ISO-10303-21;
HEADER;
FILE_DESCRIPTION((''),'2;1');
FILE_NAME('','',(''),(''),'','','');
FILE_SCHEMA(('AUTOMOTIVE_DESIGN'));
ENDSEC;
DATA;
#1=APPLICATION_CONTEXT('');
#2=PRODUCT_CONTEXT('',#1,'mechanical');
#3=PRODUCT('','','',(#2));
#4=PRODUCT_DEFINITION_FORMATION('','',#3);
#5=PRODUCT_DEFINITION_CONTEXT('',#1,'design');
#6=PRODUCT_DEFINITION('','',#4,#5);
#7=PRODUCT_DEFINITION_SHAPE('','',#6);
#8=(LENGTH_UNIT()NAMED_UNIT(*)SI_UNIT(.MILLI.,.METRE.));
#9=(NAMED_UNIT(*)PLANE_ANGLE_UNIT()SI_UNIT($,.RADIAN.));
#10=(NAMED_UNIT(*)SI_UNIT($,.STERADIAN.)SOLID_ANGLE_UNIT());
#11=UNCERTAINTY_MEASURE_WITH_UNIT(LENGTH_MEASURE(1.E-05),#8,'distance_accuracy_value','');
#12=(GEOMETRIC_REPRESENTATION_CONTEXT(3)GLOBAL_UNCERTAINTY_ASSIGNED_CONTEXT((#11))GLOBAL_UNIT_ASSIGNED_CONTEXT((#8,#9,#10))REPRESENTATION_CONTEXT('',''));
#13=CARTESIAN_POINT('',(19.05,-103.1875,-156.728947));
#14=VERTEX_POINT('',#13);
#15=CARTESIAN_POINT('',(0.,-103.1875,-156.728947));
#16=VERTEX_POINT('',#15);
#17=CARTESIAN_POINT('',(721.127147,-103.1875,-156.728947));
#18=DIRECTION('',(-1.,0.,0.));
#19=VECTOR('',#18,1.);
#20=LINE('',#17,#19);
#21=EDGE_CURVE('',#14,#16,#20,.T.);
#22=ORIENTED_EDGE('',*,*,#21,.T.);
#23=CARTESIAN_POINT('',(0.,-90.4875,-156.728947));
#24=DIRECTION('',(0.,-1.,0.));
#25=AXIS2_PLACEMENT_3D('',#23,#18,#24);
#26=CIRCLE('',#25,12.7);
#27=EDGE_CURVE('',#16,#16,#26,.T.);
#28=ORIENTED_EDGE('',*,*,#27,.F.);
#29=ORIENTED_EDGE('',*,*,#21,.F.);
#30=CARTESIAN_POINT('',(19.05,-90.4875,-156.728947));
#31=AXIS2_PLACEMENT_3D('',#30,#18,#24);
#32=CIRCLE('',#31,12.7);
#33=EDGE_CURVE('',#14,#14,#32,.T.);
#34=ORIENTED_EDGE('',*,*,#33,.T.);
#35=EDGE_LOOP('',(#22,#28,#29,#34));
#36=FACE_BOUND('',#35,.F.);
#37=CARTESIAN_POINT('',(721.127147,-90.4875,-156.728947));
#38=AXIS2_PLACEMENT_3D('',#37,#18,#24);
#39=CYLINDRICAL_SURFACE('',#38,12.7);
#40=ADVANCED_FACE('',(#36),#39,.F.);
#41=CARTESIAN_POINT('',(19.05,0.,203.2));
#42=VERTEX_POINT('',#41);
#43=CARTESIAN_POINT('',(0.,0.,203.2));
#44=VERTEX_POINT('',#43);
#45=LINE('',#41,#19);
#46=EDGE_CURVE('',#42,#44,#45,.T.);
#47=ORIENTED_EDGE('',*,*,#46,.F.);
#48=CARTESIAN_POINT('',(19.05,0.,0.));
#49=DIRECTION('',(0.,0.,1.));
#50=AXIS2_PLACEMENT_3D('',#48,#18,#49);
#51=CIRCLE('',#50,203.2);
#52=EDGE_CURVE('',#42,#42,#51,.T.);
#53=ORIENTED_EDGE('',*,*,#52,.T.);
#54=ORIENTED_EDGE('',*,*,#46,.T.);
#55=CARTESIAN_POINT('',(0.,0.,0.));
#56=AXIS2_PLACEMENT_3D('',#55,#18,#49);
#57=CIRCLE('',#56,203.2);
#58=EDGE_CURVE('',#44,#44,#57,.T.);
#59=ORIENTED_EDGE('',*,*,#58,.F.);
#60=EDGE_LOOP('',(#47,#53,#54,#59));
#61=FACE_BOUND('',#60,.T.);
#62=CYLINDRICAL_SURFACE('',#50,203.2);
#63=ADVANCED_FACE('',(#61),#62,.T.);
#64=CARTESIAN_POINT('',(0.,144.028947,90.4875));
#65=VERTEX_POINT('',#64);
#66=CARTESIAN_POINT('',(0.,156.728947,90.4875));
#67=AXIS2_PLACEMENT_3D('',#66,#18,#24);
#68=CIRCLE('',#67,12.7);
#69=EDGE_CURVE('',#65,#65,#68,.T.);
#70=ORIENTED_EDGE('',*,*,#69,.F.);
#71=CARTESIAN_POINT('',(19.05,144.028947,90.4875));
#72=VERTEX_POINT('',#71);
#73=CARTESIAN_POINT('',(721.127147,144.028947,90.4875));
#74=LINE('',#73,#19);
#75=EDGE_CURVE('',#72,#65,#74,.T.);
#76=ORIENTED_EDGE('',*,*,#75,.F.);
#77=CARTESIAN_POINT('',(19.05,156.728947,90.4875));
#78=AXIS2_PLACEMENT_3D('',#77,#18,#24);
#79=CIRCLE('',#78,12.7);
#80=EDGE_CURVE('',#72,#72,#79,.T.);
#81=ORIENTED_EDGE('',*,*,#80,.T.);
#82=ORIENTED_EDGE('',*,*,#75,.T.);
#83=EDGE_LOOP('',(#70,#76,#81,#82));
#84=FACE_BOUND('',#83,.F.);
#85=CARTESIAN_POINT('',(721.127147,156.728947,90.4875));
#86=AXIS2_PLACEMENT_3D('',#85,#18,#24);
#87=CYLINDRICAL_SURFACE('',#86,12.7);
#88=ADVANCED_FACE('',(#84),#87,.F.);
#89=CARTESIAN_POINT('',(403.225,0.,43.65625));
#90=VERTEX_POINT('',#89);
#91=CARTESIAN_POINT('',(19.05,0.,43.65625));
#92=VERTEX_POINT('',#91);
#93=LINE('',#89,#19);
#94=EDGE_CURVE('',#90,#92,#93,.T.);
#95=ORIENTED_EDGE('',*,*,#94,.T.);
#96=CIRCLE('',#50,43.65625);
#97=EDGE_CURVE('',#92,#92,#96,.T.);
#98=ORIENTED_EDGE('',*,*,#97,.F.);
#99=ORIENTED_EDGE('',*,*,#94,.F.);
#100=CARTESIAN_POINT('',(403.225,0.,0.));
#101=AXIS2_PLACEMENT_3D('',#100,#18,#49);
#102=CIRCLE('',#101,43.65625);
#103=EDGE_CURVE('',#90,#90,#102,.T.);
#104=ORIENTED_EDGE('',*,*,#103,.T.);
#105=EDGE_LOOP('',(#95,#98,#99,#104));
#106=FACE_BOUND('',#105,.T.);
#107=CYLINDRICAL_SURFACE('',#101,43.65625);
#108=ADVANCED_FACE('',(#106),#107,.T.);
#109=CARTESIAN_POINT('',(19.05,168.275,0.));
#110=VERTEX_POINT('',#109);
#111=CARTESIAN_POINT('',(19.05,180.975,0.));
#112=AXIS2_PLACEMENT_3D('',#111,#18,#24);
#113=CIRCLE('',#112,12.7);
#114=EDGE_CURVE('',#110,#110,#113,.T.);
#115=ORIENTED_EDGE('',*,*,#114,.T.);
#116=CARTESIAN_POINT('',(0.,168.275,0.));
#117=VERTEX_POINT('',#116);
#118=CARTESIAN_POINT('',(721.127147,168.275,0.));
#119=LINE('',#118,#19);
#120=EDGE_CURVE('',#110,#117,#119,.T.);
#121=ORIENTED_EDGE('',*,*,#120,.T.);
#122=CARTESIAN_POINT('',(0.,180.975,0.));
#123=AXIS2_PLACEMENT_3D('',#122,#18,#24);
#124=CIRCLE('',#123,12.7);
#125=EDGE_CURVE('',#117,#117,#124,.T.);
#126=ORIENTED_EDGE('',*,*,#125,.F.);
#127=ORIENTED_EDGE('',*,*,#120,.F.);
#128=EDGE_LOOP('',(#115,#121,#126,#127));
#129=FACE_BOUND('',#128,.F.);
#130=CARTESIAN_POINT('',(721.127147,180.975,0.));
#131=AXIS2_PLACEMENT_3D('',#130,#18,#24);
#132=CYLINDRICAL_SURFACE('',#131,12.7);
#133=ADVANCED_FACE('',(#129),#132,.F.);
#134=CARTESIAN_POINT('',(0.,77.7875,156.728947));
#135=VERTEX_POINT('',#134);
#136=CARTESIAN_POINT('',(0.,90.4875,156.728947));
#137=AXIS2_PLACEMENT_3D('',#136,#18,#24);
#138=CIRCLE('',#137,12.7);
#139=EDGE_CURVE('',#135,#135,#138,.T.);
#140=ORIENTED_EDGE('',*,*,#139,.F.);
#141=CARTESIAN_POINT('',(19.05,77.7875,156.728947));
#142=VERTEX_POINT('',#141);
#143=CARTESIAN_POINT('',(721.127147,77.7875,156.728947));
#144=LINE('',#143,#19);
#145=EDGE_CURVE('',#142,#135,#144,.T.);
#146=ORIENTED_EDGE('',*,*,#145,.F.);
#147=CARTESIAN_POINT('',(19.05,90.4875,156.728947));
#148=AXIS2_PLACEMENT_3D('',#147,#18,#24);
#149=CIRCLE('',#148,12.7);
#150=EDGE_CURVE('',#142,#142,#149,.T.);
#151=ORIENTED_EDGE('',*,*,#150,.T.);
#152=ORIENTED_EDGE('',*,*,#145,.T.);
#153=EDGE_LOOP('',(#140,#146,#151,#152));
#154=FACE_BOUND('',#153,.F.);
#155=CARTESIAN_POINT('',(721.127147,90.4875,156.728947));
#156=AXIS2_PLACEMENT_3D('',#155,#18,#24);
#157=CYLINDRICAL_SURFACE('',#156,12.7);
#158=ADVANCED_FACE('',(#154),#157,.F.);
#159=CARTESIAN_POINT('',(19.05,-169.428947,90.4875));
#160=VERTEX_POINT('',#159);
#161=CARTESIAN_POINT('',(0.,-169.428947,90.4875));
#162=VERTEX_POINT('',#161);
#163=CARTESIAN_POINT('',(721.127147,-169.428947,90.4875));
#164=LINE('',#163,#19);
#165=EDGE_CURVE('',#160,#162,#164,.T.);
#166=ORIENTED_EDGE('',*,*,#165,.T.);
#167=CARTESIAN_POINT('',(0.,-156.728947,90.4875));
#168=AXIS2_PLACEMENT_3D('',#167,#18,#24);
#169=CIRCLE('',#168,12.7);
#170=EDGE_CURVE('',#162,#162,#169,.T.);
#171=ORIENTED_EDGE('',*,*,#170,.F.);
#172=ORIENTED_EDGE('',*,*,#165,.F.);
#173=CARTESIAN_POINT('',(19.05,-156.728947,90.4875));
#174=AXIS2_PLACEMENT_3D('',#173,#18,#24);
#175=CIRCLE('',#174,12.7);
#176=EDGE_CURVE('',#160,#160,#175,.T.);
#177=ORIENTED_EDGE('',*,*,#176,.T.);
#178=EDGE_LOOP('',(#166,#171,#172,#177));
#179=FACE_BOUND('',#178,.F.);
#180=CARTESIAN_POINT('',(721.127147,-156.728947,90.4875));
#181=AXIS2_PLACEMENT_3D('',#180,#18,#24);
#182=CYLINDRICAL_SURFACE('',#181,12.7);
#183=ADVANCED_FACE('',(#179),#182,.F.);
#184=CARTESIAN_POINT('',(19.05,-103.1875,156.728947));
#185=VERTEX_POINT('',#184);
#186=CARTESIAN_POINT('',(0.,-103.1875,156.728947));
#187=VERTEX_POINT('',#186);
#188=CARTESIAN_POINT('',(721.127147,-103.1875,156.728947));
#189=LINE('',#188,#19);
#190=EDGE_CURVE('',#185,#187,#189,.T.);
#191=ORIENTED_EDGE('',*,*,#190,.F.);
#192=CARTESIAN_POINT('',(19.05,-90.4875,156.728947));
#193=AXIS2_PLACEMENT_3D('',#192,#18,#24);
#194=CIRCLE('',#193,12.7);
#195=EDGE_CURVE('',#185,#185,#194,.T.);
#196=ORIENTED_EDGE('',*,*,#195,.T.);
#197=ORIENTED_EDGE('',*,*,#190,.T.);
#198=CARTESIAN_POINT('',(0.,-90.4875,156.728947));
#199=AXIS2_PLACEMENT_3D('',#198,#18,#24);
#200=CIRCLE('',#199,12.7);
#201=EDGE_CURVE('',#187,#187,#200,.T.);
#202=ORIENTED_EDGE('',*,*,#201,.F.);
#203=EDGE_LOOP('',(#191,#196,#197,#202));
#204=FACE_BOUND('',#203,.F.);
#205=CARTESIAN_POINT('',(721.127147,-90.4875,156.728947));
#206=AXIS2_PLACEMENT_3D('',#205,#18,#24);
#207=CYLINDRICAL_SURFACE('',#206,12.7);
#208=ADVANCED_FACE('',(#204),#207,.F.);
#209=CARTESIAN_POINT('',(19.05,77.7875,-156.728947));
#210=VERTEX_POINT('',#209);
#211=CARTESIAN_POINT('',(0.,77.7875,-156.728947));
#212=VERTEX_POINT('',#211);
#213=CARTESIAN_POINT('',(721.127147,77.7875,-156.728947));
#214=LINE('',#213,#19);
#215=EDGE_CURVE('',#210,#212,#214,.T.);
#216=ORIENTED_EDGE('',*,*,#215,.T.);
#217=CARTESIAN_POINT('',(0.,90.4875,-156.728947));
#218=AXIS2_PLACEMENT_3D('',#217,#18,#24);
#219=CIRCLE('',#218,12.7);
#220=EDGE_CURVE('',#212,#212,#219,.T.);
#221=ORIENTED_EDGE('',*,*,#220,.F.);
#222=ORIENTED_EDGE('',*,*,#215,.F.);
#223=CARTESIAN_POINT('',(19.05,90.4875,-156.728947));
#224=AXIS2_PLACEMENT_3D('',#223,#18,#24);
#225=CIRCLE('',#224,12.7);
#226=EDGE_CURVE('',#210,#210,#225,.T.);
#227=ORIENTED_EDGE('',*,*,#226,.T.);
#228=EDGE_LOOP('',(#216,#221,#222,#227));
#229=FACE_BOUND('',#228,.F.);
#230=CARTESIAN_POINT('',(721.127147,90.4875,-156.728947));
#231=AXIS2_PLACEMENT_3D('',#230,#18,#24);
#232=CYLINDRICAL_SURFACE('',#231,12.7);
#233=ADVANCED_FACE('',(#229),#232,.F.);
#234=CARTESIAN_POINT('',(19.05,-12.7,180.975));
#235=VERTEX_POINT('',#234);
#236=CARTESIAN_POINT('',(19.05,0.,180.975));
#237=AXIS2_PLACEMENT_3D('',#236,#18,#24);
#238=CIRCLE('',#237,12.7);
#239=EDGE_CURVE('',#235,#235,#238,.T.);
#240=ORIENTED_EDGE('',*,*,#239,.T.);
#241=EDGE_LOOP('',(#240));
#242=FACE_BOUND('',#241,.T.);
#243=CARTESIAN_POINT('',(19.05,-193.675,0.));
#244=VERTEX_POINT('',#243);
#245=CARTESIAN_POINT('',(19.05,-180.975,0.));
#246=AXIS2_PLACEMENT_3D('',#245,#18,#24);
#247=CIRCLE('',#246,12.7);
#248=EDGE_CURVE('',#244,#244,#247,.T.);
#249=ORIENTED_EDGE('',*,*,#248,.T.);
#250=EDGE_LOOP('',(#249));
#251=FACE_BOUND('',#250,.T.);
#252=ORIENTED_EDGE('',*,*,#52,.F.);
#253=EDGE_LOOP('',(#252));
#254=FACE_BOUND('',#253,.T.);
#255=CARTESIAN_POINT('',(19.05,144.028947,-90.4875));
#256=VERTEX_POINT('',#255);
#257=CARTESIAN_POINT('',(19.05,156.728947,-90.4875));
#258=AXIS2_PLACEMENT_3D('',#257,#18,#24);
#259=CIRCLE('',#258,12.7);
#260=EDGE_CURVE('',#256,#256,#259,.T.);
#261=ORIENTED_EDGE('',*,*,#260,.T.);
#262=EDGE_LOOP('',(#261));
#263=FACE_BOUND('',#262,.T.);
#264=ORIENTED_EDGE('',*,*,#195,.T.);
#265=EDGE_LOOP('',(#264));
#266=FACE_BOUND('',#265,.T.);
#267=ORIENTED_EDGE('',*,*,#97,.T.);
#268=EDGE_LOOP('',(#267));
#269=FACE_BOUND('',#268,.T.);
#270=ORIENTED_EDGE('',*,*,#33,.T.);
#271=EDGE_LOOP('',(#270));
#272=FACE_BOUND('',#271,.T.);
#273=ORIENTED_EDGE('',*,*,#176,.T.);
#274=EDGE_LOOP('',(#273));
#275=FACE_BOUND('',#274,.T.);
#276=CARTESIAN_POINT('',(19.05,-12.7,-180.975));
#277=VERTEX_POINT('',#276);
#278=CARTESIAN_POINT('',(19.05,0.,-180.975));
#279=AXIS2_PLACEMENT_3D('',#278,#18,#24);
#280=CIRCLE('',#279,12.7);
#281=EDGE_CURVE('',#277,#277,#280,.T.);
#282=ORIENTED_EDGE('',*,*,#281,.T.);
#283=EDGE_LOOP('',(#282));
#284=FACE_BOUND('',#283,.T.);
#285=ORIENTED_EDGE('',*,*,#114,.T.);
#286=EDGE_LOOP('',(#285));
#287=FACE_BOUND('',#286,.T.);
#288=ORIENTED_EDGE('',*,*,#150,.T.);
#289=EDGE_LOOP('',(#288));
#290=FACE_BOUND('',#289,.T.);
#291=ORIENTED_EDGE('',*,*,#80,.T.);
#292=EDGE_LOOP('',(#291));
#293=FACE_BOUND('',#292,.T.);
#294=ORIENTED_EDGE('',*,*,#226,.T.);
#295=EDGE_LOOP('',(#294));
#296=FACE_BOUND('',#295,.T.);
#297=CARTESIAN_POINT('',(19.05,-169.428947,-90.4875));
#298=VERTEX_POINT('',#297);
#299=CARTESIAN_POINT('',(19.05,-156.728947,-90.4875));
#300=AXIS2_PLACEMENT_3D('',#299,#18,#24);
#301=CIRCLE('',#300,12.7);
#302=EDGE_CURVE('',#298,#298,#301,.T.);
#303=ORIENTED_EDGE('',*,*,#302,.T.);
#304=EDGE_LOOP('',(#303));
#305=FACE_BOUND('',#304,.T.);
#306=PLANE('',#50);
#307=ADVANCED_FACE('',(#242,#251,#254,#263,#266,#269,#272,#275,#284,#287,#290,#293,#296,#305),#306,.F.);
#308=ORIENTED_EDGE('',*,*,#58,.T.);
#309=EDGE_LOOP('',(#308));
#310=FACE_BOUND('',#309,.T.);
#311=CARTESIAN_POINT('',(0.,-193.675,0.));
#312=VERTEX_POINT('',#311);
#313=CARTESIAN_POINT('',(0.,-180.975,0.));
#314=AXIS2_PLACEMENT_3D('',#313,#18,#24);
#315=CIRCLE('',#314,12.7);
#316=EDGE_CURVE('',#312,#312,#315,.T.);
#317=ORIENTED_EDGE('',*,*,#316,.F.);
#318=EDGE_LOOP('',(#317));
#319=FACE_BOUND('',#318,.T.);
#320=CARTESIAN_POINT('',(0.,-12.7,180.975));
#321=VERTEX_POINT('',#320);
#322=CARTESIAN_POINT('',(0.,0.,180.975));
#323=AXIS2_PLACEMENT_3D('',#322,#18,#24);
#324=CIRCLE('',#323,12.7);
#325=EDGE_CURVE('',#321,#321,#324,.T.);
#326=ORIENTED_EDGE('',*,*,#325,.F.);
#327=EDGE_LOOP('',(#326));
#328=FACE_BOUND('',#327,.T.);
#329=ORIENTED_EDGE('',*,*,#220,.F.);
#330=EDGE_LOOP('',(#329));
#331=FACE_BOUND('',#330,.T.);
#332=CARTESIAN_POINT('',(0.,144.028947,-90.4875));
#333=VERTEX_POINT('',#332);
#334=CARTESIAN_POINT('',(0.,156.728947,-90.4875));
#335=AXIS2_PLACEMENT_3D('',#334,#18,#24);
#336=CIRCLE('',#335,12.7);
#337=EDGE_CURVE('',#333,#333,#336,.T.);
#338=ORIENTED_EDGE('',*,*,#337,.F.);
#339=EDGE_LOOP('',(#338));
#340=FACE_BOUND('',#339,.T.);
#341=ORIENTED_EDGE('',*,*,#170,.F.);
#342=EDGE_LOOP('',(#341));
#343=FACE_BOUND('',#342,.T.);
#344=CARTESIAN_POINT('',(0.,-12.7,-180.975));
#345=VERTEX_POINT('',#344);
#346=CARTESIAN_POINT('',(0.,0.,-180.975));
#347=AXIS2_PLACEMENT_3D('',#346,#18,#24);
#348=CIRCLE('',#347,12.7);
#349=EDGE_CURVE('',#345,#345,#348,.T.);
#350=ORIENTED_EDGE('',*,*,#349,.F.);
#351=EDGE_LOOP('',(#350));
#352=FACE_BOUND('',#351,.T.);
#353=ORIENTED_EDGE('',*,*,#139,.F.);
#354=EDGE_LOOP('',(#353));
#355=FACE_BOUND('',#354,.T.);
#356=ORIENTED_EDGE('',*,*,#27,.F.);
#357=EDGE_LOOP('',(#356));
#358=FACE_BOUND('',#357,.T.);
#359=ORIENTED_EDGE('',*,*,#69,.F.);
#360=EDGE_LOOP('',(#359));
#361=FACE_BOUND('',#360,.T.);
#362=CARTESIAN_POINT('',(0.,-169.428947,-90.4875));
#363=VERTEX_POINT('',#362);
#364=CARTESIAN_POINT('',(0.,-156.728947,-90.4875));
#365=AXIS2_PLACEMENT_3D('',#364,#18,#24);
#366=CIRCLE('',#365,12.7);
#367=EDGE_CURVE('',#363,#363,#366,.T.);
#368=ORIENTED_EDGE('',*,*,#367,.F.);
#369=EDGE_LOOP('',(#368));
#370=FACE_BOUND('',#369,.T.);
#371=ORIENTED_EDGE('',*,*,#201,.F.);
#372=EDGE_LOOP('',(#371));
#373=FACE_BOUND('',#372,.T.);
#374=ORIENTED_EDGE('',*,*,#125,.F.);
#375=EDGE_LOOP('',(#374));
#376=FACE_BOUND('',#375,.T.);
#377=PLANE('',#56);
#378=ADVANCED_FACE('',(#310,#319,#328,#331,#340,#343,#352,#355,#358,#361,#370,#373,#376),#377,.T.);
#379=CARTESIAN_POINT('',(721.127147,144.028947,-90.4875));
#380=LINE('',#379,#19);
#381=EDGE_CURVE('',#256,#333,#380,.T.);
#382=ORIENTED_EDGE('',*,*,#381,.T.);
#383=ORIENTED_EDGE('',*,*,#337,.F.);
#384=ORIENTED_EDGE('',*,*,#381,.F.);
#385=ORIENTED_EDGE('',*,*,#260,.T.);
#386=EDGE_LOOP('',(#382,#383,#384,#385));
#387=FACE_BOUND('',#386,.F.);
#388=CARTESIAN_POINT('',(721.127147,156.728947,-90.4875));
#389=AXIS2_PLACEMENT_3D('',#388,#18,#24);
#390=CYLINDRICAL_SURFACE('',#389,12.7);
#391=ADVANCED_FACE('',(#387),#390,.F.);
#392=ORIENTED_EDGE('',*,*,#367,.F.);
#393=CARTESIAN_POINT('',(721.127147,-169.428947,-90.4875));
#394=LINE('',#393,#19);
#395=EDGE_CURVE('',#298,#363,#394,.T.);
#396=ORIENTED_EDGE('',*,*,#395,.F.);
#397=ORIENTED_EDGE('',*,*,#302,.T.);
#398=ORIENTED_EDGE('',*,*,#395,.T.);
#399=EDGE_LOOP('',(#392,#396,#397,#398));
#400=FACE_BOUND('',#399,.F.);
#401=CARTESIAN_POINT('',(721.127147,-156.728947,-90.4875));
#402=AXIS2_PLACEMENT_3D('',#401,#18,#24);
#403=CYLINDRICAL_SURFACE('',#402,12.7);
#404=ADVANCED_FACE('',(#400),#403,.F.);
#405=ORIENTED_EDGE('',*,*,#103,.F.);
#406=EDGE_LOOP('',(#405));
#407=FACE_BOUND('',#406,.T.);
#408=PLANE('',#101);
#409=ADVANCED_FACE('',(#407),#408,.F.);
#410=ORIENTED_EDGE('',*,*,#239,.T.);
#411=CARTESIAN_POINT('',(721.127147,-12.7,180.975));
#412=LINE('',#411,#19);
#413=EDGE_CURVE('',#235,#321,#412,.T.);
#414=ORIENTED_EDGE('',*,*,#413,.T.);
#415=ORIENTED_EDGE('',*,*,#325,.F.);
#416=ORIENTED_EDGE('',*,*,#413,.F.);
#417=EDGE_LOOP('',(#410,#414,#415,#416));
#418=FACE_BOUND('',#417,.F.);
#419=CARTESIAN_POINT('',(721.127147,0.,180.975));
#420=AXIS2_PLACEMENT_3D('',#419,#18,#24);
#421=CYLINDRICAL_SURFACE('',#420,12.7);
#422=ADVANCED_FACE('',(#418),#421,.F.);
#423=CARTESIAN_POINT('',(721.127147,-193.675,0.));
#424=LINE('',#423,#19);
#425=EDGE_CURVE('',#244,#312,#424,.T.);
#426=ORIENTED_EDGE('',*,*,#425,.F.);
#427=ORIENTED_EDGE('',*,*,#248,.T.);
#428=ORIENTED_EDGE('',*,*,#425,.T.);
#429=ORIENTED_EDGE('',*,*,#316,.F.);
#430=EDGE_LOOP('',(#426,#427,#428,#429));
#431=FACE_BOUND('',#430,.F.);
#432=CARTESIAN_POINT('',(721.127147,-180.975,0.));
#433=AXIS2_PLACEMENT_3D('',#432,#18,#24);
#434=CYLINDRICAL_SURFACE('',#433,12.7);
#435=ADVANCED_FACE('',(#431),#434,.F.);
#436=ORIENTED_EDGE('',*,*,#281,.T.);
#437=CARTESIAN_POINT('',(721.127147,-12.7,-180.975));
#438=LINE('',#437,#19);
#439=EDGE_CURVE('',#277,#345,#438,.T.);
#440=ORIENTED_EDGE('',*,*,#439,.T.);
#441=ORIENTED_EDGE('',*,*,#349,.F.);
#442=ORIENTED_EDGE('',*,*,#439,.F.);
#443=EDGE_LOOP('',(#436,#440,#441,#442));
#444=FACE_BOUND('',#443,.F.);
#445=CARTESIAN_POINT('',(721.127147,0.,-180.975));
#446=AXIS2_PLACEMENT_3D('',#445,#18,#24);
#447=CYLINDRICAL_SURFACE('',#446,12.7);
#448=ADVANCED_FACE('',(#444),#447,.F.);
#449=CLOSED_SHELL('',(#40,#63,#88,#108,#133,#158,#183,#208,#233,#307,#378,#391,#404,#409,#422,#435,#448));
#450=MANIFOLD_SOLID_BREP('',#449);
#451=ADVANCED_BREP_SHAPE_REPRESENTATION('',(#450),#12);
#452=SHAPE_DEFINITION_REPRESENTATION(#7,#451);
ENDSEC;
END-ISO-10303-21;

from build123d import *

# Parameters (mm, degrees)
F3_D = 25.4


with BuildPart() as f1:
    # F0 (on Front) → F1 (revolve)
    with BuildSketch(Plane.XZ):
        Polygon((0, 203.2), (0, 0), (403.225, 0), (403.225, 43.65625), (19.05, 43.65625), (19.05, 203.2), align=None)
    revolve(axis=Axis((201.6125, 0, 0), (-1, 0, 0)))

    # F3 (through all)
    with Locations(Plane.YZ.offset(19.05)):
        with Locations((0, 180.975), (90.4875, 156.728947), (156.728947, 90.4875), (180.975, 0), (156.728947, -90.4875), (90.4875, -156.728947), (0, -180.975), (-90.4875, -156.728947), (-156.728947, -90.4875), (-180.975, 0), (-156.728947, 90.4875), (-90.4875, 156.728947)):
            Hole(F3_D / 2)


solid = f1.part
